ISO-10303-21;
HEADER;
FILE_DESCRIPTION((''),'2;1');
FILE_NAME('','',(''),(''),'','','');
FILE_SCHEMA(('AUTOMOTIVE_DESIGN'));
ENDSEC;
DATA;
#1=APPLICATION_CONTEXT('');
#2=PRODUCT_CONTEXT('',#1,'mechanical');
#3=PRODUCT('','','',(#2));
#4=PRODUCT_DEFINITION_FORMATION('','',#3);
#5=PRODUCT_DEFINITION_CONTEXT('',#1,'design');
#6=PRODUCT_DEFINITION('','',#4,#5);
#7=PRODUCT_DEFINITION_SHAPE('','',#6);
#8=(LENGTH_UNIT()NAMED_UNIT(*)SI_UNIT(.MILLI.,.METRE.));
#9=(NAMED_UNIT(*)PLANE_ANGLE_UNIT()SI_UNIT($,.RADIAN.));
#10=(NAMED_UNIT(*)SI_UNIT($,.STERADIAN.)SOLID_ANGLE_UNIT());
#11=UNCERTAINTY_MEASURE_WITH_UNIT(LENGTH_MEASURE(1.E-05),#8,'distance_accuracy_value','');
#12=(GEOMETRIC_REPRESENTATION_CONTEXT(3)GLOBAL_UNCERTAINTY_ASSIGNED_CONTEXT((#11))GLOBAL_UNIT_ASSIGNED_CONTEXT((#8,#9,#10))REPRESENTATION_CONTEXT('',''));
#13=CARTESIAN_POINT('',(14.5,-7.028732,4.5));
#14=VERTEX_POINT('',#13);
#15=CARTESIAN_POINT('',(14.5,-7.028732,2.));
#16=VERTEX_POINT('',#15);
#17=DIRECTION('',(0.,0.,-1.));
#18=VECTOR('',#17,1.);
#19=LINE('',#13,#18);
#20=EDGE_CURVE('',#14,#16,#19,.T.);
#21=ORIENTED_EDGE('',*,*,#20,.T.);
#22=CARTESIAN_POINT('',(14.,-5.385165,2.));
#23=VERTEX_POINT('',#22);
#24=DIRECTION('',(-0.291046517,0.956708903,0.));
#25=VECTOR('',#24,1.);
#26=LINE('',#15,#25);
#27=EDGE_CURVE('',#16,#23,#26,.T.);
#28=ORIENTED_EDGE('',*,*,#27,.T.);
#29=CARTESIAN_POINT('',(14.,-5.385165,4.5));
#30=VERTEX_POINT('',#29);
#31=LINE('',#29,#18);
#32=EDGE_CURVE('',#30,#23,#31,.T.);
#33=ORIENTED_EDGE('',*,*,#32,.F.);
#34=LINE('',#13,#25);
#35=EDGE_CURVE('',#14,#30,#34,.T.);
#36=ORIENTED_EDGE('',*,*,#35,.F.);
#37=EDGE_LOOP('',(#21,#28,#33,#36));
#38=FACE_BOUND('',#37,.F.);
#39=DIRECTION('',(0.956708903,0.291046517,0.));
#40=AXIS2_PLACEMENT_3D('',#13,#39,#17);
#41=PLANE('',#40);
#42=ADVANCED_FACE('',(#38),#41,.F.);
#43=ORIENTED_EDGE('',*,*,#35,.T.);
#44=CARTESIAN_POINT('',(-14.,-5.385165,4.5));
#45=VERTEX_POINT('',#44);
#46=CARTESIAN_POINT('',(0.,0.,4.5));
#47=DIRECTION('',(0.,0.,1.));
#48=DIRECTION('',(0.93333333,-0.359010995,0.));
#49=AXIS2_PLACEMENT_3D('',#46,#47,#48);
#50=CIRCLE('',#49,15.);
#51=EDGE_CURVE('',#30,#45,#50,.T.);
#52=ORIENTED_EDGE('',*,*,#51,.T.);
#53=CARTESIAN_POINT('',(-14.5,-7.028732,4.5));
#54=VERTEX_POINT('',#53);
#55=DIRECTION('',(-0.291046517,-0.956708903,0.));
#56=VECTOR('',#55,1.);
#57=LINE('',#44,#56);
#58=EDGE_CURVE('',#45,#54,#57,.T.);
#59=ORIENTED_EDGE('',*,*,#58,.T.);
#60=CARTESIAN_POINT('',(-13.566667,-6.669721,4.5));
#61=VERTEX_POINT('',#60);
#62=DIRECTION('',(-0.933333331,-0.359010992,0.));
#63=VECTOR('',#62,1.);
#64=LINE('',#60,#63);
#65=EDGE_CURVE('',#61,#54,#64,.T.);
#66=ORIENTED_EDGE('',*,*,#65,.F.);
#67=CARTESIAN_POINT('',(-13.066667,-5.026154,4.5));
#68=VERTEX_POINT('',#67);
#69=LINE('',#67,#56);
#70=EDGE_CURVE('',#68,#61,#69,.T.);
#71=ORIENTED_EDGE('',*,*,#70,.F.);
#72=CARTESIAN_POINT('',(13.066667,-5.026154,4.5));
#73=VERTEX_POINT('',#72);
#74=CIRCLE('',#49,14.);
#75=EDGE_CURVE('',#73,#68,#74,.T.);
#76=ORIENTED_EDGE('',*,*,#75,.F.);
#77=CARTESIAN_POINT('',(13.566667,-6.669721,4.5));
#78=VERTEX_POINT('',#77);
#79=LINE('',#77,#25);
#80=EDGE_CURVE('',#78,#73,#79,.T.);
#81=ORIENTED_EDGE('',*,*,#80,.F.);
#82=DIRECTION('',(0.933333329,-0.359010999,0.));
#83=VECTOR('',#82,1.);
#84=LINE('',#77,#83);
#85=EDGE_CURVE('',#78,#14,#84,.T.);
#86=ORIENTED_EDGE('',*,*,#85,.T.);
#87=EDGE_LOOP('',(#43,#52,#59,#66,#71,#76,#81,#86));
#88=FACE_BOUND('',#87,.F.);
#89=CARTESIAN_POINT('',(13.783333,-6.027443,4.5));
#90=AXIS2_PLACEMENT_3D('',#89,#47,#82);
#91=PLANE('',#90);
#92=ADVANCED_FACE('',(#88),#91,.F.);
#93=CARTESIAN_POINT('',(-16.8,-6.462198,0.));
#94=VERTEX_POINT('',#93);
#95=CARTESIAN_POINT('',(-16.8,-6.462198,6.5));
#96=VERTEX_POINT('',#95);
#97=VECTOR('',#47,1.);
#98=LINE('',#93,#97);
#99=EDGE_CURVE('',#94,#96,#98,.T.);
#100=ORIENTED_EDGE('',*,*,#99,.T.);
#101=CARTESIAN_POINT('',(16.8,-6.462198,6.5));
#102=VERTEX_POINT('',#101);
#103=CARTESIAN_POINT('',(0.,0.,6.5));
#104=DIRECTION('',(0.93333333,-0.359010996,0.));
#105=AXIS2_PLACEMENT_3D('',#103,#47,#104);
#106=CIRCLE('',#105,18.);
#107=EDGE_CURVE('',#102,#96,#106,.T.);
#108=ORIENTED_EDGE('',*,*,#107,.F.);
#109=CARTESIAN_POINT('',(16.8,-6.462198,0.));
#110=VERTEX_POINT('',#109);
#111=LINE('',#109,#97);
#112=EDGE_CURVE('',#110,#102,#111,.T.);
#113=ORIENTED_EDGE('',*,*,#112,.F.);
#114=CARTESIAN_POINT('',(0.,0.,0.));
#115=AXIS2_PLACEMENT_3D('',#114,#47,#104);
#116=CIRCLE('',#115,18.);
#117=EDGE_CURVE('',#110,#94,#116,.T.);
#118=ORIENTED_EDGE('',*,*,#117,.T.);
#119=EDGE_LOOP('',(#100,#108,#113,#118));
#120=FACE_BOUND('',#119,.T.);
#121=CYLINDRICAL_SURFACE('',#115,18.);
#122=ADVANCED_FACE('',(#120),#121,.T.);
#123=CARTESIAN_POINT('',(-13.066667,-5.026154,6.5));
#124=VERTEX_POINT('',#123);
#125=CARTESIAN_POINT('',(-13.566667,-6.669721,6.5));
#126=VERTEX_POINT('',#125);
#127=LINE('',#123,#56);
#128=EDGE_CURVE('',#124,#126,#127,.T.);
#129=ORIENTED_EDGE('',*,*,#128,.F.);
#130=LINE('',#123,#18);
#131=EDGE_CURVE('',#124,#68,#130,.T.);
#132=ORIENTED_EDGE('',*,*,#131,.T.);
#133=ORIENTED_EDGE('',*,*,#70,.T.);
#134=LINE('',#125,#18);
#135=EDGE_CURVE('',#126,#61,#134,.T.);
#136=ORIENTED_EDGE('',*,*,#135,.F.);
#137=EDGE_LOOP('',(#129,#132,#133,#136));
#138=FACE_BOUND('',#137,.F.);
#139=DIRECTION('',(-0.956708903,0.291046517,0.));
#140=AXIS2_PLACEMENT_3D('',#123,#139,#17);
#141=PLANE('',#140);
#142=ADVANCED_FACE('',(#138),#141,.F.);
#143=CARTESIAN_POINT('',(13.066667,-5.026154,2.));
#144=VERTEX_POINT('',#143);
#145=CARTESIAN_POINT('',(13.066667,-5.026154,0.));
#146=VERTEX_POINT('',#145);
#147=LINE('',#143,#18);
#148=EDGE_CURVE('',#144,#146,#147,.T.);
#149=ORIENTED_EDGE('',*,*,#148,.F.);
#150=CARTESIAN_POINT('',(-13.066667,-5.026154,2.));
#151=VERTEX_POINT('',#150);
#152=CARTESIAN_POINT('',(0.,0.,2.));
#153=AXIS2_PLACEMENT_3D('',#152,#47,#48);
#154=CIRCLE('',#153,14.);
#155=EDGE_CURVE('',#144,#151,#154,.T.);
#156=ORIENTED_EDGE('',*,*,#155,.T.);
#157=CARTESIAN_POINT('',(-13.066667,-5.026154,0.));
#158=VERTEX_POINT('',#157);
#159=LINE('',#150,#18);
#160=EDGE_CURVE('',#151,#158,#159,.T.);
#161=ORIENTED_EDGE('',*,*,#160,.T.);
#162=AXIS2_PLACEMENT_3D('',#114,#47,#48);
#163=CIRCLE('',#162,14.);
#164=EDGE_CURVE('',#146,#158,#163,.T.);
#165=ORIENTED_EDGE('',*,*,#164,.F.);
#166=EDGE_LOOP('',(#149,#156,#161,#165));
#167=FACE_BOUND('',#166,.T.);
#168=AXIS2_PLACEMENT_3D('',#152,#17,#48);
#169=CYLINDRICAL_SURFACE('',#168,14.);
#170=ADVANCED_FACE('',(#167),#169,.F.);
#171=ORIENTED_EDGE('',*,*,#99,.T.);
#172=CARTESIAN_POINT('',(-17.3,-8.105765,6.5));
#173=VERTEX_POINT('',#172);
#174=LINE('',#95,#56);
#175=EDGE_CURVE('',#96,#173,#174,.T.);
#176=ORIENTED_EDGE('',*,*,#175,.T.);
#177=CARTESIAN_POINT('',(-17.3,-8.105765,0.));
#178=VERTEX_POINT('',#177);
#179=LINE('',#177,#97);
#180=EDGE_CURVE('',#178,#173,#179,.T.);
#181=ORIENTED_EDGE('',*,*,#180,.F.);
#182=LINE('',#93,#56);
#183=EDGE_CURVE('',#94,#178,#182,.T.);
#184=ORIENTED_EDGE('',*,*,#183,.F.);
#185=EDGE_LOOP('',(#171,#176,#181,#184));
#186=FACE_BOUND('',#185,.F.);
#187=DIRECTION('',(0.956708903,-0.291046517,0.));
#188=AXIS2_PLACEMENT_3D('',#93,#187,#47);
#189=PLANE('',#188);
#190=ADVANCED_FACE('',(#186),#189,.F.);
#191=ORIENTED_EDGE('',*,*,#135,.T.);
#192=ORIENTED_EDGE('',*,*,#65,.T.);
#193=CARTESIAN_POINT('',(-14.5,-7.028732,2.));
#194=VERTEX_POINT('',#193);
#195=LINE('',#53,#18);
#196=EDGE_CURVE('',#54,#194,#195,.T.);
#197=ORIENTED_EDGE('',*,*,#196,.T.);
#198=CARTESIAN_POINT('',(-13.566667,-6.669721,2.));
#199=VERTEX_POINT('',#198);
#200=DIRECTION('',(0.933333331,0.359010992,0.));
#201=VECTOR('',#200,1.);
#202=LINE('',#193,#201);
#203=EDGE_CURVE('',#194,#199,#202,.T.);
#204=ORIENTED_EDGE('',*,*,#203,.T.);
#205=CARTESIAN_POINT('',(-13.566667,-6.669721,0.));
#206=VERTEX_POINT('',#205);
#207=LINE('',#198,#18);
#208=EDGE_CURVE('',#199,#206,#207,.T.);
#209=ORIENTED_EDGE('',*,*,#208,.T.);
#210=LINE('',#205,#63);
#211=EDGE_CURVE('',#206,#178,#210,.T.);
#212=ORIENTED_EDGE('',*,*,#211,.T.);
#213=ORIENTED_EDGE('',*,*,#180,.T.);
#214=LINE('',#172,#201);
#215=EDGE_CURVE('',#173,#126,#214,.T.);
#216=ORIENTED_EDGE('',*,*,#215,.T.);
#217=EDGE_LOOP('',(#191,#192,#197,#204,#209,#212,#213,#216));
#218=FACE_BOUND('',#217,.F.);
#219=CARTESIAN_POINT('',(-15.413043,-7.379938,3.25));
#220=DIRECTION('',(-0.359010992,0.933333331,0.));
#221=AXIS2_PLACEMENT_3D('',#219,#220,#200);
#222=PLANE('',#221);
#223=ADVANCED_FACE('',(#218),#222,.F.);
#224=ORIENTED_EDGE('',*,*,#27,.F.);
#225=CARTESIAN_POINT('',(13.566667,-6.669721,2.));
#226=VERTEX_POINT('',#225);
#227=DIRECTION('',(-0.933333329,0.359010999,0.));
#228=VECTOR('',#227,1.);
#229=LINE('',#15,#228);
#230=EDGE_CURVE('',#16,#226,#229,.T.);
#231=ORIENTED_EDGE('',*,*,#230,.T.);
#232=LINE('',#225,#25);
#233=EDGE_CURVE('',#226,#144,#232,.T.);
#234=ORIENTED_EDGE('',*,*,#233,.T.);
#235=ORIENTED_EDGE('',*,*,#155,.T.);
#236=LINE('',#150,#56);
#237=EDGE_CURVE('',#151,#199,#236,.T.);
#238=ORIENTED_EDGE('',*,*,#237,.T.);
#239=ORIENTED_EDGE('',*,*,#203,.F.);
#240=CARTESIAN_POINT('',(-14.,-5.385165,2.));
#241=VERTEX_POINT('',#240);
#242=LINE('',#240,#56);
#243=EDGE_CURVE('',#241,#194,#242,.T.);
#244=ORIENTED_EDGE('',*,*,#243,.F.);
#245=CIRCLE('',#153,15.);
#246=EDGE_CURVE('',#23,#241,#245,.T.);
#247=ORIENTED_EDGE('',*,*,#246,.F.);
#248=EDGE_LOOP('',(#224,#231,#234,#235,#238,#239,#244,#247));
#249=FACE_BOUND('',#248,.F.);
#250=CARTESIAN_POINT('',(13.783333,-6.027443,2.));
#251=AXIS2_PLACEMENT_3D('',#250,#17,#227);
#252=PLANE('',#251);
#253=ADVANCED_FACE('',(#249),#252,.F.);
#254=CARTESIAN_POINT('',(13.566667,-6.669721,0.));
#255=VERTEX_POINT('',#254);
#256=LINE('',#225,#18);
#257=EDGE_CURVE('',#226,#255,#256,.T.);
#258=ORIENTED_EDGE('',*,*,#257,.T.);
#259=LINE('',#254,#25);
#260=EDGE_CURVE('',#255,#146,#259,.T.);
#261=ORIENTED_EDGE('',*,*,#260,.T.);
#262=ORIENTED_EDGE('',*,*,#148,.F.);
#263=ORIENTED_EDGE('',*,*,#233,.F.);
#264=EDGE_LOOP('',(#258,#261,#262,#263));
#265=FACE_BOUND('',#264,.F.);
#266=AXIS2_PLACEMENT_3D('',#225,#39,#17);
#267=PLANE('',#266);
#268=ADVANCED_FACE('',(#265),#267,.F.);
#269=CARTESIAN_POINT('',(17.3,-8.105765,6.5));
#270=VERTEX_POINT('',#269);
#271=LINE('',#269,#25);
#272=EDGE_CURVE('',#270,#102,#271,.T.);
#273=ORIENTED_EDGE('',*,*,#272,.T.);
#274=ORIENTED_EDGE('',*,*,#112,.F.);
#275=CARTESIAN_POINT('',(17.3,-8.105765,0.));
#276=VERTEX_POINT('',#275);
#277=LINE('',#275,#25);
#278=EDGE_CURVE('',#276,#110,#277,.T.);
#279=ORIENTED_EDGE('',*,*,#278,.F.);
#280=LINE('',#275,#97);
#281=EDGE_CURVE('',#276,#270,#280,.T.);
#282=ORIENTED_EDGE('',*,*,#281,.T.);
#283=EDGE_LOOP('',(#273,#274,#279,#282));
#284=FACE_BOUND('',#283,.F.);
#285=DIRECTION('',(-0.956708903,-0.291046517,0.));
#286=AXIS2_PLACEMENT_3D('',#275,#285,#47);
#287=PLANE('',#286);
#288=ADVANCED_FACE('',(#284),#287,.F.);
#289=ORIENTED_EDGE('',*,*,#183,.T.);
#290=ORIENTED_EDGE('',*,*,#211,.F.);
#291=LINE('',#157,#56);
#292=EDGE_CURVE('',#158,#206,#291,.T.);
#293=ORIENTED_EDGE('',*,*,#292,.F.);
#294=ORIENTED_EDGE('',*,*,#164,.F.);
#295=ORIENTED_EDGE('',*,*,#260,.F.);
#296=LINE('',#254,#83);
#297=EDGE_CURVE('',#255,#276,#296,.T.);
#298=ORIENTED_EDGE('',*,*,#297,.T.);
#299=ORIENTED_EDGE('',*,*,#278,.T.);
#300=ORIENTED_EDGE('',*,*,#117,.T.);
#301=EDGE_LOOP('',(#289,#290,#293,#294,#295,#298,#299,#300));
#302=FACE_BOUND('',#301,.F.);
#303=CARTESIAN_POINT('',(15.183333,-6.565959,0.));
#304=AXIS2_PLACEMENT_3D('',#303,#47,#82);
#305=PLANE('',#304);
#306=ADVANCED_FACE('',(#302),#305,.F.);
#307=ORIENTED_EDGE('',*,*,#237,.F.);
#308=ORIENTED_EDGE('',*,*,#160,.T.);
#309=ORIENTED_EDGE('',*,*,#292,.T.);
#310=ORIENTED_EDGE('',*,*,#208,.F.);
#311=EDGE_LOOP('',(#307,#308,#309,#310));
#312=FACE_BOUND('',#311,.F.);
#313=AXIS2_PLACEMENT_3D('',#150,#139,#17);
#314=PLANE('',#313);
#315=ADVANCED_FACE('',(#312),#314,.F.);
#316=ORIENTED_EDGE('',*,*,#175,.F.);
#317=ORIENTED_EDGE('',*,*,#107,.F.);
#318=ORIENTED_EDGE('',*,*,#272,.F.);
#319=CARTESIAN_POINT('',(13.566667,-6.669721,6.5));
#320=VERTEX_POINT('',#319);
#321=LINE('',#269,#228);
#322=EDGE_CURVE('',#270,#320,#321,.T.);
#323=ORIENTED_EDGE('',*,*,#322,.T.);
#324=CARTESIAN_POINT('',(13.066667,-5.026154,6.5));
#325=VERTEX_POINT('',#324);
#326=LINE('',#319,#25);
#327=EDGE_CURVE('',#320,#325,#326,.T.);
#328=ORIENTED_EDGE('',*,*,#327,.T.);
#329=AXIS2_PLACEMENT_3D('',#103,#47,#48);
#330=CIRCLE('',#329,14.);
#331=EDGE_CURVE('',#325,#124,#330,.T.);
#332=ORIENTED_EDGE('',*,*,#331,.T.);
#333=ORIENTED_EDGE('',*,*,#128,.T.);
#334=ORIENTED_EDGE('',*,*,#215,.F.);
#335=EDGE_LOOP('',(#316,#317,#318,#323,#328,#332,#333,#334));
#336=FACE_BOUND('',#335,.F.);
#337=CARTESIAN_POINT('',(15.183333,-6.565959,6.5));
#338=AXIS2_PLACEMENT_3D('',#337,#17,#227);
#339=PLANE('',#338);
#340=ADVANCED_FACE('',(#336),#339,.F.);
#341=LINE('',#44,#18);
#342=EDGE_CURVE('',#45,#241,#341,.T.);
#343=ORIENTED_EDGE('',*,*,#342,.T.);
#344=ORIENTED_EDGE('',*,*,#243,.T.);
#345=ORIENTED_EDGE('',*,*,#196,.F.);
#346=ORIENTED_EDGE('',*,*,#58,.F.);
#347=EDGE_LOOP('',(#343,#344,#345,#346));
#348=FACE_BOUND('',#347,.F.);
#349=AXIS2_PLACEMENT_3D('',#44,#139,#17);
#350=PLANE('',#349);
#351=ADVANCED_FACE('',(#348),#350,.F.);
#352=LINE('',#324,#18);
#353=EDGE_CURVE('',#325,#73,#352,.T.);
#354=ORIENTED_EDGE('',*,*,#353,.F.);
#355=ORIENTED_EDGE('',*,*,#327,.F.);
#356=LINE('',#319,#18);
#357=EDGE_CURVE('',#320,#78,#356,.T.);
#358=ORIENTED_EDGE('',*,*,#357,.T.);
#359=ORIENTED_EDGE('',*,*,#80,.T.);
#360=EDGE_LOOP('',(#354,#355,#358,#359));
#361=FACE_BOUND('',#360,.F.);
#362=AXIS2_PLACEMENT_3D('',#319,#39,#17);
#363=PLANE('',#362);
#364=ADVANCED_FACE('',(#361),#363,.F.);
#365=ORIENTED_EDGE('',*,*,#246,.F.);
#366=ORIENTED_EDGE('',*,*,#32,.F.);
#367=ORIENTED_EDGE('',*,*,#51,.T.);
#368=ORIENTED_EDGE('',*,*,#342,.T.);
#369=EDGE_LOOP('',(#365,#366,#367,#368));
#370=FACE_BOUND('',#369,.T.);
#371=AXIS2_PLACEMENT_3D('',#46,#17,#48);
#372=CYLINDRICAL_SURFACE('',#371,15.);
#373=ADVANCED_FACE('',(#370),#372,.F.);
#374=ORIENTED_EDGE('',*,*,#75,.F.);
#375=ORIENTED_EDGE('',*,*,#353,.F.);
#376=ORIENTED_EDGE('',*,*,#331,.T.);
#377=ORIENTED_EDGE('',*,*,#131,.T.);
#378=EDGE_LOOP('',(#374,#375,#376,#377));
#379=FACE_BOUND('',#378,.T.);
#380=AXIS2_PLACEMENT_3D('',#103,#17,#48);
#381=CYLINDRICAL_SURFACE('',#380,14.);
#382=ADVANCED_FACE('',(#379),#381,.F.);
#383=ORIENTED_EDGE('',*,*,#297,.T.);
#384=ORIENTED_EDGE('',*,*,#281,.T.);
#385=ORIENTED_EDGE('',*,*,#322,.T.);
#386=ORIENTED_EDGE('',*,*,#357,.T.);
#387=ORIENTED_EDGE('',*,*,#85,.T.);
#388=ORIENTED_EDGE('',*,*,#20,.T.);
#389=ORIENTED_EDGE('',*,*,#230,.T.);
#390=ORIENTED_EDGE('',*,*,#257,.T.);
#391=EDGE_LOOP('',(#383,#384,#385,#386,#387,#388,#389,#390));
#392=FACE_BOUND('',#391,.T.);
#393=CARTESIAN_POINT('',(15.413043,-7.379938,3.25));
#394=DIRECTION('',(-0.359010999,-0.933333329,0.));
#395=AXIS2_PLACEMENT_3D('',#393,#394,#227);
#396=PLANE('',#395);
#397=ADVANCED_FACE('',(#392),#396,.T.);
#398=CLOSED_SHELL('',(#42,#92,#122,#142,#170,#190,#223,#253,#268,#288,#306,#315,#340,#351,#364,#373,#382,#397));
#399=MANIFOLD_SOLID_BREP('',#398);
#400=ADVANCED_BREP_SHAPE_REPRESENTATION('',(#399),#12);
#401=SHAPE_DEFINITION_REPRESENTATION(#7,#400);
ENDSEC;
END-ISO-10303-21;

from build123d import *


with BuildPart() as part:
    # AdditivePipe: sweep along a path in Sketch001
    with BuildLine(Plane.XY) as additivepipe_path:
        Line((14.5, -7.028732), (14, -5.385165))
        ThreePointArc((14, -5.385165), (0, 15), (-14, -5.385165))
        Line((-14, -5.385165), (-14.5, -7.028732))
    # Sketch → AdditivePipe (sweep)
    with BuildSketch(Plane.XZ):
        Polygon((14, 0), (18, 0), (18, 6.5), (14, 6.5), (14, 4.5), (15, 4.5), (15, 2), (14, 2), align=None)
    sweep(path=additivepipe_path.line)


solid = part.part
